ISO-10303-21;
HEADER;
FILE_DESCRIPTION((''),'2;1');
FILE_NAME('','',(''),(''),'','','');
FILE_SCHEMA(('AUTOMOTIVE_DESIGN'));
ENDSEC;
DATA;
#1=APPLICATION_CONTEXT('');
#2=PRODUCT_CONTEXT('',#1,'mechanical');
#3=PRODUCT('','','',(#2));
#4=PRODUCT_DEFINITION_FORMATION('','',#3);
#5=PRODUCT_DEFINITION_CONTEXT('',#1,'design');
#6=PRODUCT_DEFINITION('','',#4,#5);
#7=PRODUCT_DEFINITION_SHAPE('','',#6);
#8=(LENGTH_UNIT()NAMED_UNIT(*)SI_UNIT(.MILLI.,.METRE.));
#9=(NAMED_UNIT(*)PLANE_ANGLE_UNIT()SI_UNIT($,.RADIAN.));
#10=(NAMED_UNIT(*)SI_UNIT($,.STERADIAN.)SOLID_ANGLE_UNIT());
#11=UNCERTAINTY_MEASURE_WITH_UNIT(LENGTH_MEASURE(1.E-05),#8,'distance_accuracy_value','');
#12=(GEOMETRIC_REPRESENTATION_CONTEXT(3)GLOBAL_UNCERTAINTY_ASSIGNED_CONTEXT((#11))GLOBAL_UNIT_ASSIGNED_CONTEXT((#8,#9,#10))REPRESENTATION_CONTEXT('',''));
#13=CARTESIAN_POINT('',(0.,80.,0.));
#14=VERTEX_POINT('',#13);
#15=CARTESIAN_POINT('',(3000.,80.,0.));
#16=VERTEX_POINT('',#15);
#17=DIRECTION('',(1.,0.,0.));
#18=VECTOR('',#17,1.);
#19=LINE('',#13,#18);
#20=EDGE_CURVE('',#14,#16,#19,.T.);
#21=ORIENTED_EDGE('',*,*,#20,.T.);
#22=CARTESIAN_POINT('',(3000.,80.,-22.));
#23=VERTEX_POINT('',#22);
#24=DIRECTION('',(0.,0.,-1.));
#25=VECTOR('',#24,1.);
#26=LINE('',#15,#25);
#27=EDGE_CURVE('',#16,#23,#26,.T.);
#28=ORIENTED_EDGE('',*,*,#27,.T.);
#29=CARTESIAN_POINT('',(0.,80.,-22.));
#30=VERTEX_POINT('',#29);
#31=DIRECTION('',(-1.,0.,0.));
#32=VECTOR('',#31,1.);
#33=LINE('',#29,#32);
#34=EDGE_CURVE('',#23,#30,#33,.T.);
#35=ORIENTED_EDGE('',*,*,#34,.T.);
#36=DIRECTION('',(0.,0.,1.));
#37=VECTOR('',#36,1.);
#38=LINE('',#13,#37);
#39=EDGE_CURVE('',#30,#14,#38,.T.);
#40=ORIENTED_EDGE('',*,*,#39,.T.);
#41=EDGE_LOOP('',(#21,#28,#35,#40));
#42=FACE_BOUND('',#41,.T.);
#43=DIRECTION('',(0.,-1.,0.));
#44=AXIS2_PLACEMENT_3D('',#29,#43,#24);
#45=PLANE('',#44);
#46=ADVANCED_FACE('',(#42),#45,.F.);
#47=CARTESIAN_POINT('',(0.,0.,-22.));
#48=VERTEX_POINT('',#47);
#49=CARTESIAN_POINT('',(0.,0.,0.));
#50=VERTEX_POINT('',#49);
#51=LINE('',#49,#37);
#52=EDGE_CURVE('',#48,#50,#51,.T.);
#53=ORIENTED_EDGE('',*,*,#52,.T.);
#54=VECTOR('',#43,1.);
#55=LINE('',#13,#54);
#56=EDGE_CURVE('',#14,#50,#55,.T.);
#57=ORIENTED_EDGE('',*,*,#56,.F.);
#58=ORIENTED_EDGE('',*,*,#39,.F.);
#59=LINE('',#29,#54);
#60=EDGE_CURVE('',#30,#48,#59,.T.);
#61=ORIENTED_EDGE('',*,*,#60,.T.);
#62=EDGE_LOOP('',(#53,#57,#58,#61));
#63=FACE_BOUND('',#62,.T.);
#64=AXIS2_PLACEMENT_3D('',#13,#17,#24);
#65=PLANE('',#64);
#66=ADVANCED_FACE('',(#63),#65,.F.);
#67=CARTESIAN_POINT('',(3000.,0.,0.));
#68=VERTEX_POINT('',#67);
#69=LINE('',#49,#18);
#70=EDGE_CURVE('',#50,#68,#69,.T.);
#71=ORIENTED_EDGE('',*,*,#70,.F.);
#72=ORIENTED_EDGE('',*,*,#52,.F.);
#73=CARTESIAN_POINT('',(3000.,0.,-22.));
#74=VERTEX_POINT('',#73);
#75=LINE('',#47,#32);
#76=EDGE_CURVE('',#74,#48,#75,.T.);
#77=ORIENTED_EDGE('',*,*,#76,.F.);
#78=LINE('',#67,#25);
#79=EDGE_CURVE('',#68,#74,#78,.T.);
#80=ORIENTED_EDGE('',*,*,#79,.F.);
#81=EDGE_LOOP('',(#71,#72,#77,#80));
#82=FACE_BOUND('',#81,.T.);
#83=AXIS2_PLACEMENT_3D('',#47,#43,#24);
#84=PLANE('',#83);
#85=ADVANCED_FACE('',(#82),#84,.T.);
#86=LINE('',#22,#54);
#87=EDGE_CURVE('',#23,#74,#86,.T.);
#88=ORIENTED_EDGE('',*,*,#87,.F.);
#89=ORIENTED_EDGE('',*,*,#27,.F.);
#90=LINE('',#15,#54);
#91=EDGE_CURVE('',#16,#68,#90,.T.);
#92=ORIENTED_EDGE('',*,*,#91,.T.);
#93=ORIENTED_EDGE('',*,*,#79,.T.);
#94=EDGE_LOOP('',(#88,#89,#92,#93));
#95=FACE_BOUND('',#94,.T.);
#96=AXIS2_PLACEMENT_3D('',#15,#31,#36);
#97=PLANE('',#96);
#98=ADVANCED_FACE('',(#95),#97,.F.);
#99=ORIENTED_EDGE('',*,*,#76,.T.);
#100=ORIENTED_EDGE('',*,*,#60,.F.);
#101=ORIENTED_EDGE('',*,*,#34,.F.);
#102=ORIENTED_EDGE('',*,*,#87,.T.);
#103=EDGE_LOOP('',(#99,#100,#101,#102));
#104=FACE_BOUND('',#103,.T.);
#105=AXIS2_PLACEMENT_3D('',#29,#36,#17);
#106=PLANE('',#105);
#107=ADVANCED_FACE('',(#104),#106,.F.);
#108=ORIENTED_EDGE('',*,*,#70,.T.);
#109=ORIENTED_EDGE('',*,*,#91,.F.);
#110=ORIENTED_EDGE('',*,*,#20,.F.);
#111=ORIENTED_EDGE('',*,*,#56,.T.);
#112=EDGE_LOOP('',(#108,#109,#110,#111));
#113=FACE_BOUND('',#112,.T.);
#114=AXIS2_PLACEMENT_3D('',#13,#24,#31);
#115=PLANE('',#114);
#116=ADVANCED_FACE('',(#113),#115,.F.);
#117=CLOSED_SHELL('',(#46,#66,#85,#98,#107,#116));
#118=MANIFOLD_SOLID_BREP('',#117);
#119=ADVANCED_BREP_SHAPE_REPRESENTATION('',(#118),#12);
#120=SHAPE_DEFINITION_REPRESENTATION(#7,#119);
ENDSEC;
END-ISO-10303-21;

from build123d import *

# Parameters (mm, degrees)
ESQUISSE1_W      = 3000
ESQUISSE1_H      = 22
EXTRUSION1_DEPTH = 80


with BuildPart() as part:
    # Esquisse1 → Extrusion1 (new body)
    with BuildSketch(Plane(origin=(0, 0, 0), x_dir=(1, 0, 0), z_dir=(0, 1, 0))):
        with Locations((1500, 11)):
            Rectangle(ESQUISSE1_W, ESQUISSE1_H)
    extrude(amount=EXTRUSION1_DEPTH)


solid = part.part
